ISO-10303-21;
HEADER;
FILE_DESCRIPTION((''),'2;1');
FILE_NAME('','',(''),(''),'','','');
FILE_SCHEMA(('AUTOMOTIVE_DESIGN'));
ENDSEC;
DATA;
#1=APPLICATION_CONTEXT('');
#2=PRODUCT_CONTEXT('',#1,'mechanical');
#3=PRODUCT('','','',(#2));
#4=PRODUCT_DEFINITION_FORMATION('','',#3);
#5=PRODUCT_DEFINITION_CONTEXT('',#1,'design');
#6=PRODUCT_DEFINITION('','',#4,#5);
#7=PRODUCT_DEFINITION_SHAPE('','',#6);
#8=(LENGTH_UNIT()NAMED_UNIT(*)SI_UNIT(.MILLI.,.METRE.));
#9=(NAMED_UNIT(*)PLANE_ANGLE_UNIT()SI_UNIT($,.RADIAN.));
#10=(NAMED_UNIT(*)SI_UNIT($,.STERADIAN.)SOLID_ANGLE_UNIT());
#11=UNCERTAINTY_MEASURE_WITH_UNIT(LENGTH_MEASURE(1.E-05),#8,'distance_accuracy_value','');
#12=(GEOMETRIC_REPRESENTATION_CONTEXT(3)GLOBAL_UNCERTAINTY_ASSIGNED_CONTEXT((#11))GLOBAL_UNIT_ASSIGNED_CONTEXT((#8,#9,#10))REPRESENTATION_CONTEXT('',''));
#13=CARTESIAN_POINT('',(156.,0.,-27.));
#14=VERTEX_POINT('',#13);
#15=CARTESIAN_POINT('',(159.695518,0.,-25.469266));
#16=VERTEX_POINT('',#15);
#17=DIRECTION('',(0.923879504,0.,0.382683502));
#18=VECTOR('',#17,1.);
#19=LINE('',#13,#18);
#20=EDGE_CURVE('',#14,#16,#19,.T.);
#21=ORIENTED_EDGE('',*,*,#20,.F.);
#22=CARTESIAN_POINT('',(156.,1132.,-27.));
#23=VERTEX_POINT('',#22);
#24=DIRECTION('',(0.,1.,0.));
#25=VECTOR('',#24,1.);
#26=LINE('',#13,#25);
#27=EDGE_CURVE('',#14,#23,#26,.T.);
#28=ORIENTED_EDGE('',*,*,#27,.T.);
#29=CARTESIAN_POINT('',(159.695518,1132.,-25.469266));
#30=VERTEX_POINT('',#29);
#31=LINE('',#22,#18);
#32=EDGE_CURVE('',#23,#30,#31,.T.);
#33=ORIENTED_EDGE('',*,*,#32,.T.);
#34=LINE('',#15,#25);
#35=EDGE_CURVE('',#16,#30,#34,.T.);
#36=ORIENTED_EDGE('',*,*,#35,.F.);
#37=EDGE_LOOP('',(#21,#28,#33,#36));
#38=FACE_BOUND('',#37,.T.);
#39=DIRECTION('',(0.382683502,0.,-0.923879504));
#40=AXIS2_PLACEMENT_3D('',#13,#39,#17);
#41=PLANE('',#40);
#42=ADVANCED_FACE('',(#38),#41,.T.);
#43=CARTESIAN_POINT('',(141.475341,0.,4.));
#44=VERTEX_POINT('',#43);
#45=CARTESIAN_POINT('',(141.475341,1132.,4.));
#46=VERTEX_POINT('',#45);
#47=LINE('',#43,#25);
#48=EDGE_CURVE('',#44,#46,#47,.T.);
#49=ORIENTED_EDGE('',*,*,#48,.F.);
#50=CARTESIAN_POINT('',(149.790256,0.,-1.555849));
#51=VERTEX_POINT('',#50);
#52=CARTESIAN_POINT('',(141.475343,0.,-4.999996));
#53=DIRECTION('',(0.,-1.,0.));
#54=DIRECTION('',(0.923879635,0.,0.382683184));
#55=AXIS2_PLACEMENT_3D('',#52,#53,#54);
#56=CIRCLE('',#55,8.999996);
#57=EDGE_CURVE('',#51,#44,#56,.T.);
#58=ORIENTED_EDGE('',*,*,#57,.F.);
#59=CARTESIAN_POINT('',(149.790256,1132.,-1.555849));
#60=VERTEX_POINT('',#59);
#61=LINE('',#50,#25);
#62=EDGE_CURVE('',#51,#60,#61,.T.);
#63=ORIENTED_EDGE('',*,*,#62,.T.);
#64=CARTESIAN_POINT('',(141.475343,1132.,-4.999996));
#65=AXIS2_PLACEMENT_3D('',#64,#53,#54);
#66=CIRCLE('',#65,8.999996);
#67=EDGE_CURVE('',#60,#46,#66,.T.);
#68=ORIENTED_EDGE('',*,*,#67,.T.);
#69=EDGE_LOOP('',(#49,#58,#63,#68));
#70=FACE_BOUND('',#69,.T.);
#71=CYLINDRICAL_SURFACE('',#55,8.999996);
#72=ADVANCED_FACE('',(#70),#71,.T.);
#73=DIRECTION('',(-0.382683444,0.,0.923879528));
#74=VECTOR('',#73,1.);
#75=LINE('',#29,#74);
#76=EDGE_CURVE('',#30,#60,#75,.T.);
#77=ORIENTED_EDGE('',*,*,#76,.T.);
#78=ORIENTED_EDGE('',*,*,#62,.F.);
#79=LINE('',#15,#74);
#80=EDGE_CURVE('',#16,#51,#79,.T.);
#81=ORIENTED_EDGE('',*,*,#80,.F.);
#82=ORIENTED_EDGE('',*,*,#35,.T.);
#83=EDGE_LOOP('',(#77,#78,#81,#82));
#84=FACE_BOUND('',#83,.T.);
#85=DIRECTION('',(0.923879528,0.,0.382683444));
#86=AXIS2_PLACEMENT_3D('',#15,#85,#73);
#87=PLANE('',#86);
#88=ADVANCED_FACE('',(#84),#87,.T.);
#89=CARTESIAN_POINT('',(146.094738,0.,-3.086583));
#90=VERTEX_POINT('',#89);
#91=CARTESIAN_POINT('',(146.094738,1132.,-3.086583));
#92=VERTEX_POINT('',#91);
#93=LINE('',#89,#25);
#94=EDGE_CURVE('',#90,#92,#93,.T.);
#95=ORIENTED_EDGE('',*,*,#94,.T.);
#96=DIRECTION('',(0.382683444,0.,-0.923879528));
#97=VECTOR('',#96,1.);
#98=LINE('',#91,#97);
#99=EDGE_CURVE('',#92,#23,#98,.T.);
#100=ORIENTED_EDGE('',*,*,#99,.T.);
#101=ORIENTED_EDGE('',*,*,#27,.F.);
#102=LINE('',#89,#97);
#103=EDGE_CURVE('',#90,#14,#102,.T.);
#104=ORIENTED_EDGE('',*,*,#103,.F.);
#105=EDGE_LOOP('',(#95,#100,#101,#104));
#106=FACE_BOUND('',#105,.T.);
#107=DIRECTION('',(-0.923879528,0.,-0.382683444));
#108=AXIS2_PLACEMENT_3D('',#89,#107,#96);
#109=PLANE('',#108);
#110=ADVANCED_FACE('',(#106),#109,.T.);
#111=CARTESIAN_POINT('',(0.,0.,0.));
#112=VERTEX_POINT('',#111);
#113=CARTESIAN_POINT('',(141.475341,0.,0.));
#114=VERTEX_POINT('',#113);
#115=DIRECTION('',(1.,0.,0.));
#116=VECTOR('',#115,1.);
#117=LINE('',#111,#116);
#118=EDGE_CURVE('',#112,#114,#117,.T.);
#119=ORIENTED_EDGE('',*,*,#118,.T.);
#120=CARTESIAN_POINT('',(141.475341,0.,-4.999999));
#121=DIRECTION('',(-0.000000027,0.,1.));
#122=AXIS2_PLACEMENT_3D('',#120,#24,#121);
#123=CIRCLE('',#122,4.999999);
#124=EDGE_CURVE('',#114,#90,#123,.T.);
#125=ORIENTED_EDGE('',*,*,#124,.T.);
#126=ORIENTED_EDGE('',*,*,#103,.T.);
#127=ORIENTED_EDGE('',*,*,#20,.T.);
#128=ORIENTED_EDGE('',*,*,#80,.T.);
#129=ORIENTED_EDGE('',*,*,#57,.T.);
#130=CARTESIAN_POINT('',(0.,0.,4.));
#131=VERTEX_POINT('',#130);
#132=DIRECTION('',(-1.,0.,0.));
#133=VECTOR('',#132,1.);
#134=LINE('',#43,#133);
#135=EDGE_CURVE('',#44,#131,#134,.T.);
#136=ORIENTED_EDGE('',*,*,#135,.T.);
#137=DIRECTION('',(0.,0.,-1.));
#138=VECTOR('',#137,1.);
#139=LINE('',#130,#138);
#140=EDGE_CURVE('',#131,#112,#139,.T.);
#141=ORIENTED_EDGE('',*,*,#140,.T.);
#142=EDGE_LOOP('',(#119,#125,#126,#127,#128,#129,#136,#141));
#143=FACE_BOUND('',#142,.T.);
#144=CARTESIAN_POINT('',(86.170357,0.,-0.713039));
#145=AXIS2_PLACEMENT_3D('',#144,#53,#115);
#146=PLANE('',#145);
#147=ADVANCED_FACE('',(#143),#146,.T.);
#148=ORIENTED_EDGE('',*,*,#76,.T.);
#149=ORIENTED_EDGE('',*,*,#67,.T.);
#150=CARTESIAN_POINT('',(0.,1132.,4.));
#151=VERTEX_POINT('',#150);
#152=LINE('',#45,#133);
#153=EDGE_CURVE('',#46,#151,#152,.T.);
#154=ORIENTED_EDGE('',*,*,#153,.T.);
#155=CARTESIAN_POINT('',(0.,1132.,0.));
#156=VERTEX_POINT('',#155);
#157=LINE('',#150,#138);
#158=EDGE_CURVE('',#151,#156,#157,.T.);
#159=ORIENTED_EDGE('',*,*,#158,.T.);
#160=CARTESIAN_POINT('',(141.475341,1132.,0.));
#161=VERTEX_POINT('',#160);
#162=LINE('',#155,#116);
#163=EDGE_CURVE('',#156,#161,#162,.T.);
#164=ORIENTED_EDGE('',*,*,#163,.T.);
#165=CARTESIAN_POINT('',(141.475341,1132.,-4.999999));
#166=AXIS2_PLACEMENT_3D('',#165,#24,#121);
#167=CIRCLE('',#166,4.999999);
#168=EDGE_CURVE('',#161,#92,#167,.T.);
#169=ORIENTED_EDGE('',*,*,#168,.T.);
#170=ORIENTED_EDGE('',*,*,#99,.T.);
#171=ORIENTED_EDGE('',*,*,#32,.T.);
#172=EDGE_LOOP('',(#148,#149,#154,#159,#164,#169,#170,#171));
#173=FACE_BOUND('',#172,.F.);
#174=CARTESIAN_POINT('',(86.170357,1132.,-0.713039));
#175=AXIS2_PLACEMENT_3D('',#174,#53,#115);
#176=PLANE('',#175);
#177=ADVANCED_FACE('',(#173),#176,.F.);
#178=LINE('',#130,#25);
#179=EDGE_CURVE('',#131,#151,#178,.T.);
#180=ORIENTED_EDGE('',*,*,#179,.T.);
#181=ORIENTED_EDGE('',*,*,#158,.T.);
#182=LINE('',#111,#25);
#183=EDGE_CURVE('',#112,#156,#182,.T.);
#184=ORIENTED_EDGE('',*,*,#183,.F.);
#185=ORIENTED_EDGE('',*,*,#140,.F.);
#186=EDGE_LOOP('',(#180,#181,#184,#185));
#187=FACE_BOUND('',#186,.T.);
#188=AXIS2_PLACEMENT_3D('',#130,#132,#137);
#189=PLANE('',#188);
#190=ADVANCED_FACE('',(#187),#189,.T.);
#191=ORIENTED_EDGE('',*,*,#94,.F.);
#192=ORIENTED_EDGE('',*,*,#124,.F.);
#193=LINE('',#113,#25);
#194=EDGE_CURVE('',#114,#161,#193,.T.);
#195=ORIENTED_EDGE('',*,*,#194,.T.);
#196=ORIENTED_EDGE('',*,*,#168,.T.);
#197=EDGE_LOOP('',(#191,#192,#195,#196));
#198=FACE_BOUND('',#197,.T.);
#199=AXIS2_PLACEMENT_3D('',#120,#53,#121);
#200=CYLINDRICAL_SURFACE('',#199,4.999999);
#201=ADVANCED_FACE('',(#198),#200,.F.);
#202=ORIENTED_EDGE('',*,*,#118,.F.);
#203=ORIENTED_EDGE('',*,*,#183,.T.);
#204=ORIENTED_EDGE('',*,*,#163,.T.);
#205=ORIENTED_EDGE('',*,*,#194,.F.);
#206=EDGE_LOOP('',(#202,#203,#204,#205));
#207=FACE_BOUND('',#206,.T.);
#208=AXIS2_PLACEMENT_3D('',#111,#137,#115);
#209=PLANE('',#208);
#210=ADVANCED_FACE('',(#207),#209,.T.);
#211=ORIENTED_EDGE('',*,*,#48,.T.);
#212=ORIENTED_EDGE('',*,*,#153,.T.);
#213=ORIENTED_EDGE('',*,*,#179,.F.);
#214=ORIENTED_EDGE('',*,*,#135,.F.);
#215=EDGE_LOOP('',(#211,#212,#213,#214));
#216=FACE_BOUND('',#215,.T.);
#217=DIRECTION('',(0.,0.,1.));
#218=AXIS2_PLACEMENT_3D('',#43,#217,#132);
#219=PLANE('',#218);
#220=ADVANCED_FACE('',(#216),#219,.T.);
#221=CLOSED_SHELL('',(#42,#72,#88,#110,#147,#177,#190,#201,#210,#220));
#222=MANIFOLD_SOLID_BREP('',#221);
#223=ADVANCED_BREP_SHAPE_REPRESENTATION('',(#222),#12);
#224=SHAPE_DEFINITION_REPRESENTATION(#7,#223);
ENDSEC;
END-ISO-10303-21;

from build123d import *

# Parameters (mm, degrees)
F1_DEPTH = 1132


with BuildPart() as f1:
    # F0 (on Front) → F1 (new body)
    with BuildSketch(Plane.XZ):
        with BuildLine():
            Line((141.475341, 4), (0, 4))
            Line((0, 4), (0, 0))
            Line((0, 0), (141.475341, 0))
            ThreePointArc((141.475341, 0), (144.253192, -0.842652), (146.094738, -3.086583))
            Line((146.094738, -3.086583), (156, -27))
            Line((156, -27), (159.695518, -25.469266))
            Line((159.695518, -25.469266), (149.790256, -1.555849))
            ThreePointArc((149.790256, -1.555849), (146.475473, 2.483227), (141.475341, 4))
        make_face()
    extrude(amount=-F1_DEPTH)


solid = f1.part
